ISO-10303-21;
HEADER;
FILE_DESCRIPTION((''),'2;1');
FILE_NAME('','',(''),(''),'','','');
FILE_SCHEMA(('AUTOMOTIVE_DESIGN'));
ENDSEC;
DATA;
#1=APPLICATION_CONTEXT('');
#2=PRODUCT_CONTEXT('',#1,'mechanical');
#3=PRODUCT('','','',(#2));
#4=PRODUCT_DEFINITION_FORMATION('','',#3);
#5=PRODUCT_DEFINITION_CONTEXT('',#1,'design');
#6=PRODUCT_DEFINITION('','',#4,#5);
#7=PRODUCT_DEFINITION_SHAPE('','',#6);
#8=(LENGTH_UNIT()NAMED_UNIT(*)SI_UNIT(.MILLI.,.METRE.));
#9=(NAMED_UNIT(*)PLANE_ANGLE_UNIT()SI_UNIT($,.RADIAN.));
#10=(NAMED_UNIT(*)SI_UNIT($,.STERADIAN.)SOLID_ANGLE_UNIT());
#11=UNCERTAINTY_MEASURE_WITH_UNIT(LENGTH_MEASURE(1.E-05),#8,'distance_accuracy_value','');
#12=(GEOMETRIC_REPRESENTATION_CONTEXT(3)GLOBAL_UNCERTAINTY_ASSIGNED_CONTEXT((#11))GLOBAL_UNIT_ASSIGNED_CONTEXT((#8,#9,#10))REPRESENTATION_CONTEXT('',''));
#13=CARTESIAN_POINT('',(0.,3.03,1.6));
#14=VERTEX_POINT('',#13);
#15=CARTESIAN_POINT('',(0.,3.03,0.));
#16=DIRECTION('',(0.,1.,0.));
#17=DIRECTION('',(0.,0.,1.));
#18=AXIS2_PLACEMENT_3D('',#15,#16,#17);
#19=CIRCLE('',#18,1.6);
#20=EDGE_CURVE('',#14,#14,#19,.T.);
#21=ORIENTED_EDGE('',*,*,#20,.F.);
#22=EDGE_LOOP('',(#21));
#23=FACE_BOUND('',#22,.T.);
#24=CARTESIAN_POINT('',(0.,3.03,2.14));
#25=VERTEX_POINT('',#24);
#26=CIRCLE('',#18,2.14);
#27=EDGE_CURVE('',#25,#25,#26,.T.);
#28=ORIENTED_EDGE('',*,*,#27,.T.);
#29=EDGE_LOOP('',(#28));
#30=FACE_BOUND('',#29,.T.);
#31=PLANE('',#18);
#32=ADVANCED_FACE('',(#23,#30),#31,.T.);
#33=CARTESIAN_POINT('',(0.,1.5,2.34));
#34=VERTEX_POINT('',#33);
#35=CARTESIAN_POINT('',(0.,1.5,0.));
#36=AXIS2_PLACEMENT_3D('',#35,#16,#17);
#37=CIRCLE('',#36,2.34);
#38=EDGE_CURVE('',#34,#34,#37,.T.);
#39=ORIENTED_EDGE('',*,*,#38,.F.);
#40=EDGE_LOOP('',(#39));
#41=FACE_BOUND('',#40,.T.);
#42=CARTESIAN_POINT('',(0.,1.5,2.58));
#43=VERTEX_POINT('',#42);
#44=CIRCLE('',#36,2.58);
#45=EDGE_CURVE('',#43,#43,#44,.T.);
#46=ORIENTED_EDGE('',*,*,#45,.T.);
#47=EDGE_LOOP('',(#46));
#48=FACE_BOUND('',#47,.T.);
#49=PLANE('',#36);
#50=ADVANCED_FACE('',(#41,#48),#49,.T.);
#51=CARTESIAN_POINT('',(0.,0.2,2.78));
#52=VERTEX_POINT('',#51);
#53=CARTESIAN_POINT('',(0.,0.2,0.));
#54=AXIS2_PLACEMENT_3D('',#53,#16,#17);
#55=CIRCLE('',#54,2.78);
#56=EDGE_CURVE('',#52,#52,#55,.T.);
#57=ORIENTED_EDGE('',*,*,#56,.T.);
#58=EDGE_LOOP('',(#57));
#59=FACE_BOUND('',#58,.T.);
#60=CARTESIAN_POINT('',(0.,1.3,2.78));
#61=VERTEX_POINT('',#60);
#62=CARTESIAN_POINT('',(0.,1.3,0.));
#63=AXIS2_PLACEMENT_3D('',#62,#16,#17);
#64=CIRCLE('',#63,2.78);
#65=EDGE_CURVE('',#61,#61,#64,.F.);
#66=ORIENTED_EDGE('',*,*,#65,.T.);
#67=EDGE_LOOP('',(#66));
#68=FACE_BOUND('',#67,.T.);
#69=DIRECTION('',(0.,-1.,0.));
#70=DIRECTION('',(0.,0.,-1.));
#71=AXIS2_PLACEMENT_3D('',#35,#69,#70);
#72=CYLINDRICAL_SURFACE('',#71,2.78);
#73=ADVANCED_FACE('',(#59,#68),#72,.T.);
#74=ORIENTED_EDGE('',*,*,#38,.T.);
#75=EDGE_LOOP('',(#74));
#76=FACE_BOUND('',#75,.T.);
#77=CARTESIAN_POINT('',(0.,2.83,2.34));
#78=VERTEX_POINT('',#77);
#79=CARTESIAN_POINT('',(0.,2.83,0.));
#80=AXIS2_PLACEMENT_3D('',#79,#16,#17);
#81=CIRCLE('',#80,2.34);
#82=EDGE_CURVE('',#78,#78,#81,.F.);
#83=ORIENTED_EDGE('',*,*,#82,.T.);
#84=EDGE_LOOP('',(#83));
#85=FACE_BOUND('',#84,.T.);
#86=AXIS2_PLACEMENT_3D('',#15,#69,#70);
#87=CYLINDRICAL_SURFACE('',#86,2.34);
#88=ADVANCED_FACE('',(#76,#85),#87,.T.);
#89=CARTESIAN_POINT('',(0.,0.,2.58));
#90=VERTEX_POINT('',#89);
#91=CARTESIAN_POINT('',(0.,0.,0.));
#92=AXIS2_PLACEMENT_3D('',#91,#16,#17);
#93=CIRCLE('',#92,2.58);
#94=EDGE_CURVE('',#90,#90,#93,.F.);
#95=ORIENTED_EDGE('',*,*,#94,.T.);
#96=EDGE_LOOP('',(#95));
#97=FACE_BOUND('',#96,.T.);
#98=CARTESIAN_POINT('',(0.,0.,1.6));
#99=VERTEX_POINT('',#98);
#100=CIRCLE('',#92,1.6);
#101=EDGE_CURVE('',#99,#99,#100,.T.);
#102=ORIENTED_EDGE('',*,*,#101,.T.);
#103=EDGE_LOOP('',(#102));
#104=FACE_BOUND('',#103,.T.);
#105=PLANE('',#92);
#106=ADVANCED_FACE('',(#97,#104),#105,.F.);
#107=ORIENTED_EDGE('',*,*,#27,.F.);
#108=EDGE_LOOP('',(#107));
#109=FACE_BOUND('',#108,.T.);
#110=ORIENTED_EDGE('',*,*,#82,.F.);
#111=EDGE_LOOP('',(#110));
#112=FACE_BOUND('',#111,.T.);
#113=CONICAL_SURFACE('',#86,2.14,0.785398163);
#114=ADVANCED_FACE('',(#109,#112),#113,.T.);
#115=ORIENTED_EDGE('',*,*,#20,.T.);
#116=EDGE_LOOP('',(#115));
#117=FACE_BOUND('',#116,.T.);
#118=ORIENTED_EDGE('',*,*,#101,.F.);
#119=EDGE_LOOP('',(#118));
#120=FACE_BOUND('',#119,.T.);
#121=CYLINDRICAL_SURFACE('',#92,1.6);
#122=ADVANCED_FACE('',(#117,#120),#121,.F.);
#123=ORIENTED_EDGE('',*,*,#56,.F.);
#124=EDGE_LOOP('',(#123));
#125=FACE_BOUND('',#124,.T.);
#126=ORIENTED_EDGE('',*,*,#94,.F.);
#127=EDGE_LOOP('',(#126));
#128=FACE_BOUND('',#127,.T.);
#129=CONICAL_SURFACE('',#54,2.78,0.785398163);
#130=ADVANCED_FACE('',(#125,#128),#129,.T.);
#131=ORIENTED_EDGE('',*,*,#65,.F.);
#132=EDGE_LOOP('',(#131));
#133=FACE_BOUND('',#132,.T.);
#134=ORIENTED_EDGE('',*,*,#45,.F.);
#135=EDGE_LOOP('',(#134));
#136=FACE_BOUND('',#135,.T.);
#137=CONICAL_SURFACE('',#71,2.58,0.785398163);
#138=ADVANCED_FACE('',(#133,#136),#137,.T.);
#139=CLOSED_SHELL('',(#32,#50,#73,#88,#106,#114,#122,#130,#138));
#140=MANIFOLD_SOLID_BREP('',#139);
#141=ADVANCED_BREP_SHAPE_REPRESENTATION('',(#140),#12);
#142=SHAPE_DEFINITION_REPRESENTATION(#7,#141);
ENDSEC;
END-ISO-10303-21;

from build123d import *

# Parameters (mm, degrees)
SKETCH1_R           = 2.78
BOSS_EXTRUDE1_DEPTH = 1.5
CHAMFER1_SIZE       = 0.2
SKETCH2_R           = 2.34
BOSS_EXTRUDE2_DEPTH = 1.53
CHAMFER2_SIZE       = 0.2
SKETCH3_R           = 1.6
CUT_EXTRUDE1_DEPTH  = 4.03


with BuildPart() as part:
    # Sketch1 → Boss-Extrude1 (new body)
    with BuildSketch(Plane(origin=(0, 0, 0), x_dir=(1, 0, 0), z_dir=(0, 1, 0))):
        Circle(SKETCH1_R)
    extrude(amount=BOSS_EXTRUDE1_DEPTH)

    # Chamfer1
    chamfer1_edges = [part.edges().sort_by_distance(p)[0] for p in [
        (-2.78, 0, 0),
        (-2.78, 1.5, 0),
    ]]
    chamfer(chamfer1_edges, length=CHAMFER1_SIZE)

    # Sketch2 → Boss-Extrude2 (add)
    with BuildSketch(Plane(origin=(0, 1.5, 0), x_dir=(1, 0, 0), z_dir=(0, 1, 0))):
        Circle(SKETCH2_R)
    extrude(amount=BOSS_EXTRUDE2_DEPTH)

    # Chamfer2
    chamfer2_edges = [part.edges().sort_by_distance(p)[0] for p in [
        (-2.34, 3.03, 0),
    ]]
    chamfer(chamfer2_edges, length=CHAMFER2_SIZE)

    # Sketch3 → Cut-Extrude1 (cut, through all)
    with BuildSketch(Plane(origin=(0, 3.03, 0), x_dir=(1, 0, 0), z_dir=(0, 1, 0))):
        Circle(SKETCH3_R)
    extrude(amount=-CUT_EXTRUDE1_DEPTH, mode=Mode.SUBTRACT)


solid = part.part
